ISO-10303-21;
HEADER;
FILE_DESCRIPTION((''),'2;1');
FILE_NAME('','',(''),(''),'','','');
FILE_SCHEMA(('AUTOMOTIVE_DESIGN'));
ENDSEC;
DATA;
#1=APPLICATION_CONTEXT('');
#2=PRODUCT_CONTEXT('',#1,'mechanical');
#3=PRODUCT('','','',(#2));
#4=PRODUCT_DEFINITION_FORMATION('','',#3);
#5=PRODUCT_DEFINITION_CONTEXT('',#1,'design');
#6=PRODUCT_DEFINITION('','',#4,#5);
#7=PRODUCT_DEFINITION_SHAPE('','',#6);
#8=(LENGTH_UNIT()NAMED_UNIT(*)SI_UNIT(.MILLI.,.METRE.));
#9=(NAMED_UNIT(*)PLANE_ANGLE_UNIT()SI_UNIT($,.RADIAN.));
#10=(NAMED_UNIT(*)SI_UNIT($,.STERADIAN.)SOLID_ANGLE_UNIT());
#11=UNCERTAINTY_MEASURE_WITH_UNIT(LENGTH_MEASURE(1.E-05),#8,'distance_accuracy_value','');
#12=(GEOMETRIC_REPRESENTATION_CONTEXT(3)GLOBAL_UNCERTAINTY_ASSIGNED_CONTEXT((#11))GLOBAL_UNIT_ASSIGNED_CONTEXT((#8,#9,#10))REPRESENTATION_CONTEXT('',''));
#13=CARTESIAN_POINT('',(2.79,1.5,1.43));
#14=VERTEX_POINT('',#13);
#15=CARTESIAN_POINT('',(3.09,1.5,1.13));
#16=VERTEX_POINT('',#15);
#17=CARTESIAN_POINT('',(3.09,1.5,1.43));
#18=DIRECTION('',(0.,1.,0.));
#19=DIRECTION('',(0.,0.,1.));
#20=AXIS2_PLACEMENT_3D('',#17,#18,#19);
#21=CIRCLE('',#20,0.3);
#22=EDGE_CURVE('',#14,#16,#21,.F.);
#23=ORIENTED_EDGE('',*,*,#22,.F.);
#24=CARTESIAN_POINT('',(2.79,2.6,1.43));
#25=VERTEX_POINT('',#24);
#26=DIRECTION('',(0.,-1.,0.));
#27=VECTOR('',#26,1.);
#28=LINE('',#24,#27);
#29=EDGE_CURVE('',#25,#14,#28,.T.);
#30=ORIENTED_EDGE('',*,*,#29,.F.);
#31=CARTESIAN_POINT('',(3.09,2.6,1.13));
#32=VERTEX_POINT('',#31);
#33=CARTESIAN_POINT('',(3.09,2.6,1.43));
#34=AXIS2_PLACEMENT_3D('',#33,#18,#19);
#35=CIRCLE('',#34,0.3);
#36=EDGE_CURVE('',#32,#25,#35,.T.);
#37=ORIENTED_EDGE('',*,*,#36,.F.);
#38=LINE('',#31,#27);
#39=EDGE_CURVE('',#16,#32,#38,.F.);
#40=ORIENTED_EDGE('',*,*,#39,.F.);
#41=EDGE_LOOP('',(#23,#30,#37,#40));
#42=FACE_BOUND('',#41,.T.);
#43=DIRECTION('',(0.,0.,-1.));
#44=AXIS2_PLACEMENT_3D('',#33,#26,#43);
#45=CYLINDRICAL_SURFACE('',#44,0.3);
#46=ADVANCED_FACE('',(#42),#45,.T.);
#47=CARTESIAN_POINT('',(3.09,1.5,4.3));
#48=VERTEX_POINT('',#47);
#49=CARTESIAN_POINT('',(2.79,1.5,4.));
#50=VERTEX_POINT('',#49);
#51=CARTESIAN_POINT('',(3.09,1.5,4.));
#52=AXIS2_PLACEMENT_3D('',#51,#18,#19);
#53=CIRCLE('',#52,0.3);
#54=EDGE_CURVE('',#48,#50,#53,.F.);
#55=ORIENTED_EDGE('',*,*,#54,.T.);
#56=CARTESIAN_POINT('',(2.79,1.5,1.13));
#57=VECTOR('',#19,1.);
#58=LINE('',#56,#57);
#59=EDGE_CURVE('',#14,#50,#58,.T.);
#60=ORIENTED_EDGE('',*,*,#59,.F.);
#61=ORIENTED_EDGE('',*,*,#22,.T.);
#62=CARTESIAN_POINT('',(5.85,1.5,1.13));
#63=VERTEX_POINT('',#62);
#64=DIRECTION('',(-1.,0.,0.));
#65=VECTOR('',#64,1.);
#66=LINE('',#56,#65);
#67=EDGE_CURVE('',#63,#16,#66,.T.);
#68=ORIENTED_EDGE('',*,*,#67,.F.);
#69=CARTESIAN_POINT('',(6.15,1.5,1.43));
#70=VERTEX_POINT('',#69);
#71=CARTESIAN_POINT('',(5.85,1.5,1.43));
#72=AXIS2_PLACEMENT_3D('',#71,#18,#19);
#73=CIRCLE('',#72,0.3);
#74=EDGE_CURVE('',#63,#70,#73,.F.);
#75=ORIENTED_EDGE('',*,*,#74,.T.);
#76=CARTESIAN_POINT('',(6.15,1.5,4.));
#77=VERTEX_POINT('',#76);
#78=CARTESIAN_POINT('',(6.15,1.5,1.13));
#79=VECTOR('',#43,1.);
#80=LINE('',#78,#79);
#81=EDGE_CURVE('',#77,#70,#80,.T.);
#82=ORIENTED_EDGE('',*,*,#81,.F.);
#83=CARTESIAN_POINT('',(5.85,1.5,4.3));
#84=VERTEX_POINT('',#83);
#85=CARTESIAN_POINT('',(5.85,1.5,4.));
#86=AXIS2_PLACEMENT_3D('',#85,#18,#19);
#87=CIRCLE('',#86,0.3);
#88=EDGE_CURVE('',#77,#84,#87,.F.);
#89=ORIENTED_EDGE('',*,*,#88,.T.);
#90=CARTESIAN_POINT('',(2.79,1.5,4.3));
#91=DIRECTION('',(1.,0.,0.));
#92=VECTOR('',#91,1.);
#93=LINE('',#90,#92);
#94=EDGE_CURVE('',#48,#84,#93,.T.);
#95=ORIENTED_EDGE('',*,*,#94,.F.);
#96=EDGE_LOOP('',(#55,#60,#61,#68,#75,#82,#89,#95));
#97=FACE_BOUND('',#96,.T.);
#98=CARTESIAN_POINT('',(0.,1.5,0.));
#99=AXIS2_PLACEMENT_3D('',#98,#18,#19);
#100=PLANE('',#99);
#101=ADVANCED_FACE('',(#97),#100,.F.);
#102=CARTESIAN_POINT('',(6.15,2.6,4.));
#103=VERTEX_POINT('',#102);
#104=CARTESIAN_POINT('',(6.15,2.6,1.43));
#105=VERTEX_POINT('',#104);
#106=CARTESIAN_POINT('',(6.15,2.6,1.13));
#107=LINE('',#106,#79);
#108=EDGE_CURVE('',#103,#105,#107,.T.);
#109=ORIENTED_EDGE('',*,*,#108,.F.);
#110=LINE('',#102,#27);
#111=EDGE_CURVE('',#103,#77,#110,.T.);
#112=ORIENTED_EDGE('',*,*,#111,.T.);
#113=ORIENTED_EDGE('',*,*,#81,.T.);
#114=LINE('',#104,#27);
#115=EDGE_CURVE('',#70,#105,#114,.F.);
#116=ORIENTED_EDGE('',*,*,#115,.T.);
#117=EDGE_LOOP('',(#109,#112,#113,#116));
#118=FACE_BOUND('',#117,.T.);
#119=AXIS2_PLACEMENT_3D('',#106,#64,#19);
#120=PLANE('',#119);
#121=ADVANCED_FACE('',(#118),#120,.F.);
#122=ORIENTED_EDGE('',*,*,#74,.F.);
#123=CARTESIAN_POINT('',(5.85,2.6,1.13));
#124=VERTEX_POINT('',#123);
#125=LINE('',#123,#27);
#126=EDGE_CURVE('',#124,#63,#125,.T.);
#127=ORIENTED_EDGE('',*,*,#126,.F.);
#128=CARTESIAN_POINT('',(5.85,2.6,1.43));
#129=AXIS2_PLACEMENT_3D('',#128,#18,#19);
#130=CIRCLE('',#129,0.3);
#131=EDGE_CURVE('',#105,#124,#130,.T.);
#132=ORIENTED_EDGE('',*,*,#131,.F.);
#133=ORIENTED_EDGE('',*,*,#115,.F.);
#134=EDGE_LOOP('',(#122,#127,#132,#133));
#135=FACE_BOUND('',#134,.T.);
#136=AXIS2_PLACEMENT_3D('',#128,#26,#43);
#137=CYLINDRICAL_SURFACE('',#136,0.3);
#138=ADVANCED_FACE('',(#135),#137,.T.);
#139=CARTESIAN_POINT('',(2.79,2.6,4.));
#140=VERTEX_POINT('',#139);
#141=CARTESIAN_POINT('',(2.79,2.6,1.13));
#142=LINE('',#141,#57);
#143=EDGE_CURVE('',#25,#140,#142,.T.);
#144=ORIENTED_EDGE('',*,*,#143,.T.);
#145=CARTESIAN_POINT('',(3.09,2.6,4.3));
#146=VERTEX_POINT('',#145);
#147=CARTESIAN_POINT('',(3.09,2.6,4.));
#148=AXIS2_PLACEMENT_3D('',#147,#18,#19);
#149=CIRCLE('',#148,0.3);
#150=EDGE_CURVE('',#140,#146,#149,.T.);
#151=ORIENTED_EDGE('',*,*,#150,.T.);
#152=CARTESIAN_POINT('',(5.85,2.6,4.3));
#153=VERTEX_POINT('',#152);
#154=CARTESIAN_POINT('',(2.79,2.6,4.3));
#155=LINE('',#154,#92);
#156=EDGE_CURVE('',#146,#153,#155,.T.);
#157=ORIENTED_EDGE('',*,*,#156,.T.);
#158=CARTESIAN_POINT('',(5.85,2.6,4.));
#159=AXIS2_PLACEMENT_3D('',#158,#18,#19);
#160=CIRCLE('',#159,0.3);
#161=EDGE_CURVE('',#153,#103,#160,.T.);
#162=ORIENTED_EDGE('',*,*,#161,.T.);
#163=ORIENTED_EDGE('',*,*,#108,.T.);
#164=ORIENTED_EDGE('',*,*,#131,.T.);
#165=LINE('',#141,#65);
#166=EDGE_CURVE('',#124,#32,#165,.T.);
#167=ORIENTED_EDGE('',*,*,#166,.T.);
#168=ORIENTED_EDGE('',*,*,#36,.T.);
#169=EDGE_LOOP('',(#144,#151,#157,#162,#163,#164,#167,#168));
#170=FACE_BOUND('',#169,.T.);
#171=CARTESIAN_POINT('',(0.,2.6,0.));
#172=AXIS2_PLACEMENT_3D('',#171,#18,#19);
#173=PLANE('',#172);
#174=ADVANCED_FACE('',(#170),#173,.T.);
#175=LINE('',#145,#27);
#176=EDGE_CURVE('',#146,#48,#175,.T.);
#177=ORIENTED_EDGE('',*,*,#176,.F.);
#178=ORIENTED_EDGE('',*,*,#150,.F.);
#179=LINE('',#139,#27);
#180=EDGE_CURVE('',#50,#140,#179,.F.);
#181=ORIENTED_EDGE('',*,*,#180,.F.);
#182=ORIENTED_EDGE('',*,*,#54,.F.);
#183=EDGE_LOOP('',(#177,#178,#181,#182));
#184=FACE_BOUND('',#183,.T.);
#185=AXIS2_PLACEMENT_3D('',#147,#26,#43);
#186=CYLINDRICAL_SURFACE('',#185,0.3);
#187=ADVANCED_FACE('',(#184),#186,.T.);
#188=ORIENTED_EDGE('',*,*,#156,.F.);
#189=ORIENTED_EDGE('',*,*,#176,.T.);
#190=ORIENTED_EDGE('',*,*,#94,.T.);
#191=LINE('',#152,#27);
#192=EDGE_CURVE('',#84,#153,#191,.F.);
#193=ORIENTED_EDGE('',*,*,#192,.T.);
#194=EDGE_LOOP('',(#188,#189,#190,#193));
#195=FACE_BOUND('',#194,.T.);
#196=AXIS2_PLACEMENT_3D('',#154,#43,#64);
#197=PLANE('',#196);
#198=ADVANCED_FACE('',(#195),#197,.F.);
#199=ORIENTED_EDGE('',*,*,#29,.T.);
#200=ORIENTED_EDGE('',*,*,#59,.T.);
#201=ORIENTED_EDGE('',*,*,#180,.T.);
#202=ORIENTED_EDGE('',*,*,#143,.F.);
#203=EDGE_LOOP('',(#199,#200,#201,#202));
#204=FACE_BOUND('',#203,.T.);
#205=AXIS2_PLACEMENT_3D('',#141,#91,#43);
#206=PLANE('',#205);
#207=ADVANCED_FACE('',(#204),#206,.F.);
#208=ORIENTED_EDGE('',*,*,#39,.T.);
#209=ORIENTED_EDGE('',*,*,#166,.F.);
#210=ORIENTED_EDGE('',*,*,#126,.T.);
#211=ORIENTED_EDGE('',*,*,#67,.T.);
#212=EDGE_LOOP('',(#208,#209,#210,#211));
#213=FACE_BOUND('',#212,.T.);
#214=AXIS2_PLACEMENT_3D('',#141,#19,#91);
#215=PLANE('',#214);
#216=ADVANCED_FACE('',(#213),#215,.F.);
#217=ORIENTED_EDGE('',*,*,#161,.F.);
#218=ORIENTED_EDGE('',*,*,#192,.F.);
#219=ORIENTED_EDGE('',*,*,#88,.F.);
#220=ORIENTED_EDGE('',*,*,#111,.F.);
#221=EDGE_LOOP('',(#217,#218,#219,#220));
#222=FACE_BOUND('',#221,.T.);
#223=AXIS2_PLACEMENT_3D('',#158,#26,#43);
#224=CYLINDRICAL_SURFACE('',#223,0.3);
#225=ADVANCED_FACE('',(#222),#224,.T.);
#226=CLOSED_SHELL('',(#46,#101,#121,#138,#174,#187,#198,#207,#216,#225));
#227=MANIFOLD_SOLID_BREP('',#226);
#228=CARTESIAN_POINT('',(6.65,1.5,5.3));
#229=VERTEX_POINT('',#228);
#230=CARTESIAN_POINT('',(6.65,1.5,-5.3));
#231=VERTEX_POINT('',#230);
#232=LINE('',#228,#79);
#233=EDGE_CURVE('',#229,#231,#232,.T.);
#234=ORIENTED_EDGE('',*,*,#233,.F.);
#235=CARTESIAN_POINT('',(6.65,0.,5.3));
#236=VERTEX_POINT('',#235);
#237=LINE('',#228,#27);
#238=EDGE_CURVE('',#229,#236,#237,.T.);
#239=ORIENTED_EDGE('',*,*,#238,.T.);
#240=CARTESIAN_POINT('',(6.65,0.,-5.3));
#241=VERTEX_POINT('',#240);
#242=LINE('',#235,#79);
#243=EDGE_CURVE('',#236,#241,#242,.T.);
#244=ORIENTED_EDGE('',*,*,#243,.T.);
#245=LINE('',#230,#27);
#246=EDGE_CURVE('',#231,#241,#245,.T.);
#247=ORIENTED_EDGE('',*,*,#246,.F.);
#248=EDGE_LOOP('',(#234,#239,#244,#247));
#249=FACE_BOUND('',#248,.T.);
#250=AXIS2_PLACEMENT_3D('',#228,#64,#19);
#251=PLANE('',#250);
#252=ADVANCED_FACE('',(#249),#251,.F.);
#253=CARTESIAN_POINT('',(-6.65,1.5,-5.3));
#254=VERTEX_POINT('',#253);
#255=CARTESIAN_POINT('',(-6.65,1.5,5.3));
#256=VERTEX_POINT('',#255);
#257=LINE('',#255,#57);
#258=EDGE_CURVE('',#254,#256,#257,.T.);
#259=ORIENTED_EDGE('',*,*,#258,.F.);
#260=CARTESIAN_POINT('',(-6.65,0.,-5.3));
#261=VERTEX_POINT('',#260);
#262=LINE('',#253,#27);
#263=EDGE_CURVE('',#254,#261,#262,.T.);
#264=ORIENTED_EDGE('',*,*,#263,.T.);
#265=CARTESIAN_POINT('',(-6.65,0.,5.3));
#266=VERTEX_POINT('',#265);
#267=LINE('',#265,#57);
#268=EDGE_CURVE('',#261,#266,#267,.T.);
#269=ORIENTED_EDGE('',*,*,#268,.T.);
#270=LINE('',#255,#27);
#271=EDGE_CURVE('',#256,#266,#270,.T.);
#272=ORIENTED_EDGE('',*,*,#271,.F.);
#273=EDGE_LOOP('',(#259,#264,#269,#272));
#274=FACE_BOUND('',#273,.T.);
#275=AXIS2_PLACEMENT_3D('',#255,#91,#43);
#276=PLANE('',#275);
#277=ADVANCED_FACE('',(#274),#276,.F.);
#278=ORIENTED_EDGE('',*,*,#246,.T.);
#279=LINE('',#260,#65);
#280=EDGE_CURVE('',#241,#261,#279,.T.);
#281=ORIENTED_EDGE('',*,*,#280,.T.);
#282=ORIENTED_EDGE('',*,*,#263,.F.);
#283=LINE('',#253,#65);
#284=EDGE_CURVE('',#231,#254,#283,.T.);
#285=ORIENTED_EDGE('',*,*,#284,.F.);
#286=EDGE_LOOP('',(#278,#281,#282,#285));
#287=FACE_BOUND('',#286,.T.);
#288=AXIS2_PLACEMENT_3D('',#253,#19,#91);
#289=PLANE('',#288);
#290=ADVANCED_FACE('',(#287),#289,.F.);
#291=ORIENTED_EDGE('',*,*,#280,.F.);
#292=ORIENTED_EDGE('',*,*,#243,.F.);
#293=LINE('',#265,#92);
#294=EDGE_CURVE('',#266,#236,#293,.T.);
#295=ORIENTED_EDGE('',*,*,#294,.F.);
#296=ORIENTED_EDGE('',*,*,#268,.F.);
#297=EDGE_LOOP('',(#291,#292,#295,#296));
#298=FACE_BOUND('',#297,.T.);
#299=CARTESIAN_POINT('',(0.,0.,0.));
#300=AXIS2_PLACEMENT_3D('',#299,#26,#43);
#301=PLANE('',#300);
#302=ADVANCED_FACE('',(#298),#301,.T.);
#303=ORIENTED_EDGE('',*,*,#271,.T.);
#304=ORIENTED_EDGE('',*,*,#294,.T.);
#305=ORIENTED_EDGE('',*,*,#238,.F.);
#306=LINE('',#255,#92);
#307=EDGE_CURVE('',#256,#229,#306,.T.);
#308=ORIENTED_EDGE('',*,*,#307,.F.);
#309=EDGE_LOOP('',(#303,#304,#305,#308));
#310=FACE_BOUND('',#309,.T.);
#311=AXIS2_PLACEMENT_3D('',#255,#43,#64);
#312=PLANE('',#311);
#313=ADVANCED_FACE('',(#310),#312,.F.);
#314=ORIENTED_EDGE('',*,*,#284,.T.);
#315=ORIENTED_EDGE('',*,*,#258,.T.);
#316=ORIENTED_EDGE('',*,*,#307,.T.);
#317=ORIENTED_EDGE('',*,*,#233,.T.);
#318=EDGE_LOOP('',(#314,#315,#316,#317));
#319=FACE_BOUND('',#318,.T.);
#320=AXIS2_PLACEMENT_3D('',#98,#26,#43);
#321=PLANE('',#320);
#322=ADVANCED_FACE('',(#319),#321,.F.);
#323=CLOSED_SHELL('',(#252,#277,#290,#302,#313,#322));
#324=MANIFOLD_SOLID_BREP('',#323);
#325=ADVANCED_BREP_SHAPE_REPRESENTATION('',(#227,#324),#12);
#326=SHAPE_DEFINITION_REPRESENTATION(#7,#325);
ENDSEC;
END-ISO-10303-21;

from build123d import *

# Parameters (mm, degrees)
SKETCH_1_W      = 13.3
SKETCH_1_H      = 10.6
EXTRUDE_1_DEPTH = 1.5
SKETCH_2_W      = 3.36
SKETCH_2_H      = 3.17
EXTRUDE_2_DEPTH = 1.1
FILLET_1_R      = 0.3


with BuildPart() as part:
    # Эскиз1 → Бобышка-Вытянуть1 (new body)
    with BuildSketch(Plane(origin=(0, 0, 0), x_dir=(1, 0, 0), z_dir=(0, 1, 0))):
        Rectangle(SKETCH_1_W, SKETCH_1_H)
    extrude(amount=EXTRUDE_1_DEPTH)


with BuildPart() as body_2:
    # Эскиз2 → Бобышка-Вытянуть2 (new body)
    with BuildSketch(Plane(origin=(0, 1.5, 0), x_dir=(1, 0, 0), z_dir=(0, 1, 0))):
        with Locations((4.47, -2.715)):
            Rectangle(SKETCH_2_W, SKETCH_2_H)
    extrude(amount=EXTRUDE_2_DEPTH)

    # Скругление1
    fillet_1_edges = [body_2.edges().sort_by_distance(p)[0] for p in [
        (6.15, 2.05, 4.3),
        (2.79, 2.05, 4.3),
        (2.79, 2.05, 1.13),
        (6.15, 2.05, 1.13),
    ]]
    fillet(fillet_1_edges, radius=FILLET_1_R)


solid = Compound([part.part, body_2.part])
